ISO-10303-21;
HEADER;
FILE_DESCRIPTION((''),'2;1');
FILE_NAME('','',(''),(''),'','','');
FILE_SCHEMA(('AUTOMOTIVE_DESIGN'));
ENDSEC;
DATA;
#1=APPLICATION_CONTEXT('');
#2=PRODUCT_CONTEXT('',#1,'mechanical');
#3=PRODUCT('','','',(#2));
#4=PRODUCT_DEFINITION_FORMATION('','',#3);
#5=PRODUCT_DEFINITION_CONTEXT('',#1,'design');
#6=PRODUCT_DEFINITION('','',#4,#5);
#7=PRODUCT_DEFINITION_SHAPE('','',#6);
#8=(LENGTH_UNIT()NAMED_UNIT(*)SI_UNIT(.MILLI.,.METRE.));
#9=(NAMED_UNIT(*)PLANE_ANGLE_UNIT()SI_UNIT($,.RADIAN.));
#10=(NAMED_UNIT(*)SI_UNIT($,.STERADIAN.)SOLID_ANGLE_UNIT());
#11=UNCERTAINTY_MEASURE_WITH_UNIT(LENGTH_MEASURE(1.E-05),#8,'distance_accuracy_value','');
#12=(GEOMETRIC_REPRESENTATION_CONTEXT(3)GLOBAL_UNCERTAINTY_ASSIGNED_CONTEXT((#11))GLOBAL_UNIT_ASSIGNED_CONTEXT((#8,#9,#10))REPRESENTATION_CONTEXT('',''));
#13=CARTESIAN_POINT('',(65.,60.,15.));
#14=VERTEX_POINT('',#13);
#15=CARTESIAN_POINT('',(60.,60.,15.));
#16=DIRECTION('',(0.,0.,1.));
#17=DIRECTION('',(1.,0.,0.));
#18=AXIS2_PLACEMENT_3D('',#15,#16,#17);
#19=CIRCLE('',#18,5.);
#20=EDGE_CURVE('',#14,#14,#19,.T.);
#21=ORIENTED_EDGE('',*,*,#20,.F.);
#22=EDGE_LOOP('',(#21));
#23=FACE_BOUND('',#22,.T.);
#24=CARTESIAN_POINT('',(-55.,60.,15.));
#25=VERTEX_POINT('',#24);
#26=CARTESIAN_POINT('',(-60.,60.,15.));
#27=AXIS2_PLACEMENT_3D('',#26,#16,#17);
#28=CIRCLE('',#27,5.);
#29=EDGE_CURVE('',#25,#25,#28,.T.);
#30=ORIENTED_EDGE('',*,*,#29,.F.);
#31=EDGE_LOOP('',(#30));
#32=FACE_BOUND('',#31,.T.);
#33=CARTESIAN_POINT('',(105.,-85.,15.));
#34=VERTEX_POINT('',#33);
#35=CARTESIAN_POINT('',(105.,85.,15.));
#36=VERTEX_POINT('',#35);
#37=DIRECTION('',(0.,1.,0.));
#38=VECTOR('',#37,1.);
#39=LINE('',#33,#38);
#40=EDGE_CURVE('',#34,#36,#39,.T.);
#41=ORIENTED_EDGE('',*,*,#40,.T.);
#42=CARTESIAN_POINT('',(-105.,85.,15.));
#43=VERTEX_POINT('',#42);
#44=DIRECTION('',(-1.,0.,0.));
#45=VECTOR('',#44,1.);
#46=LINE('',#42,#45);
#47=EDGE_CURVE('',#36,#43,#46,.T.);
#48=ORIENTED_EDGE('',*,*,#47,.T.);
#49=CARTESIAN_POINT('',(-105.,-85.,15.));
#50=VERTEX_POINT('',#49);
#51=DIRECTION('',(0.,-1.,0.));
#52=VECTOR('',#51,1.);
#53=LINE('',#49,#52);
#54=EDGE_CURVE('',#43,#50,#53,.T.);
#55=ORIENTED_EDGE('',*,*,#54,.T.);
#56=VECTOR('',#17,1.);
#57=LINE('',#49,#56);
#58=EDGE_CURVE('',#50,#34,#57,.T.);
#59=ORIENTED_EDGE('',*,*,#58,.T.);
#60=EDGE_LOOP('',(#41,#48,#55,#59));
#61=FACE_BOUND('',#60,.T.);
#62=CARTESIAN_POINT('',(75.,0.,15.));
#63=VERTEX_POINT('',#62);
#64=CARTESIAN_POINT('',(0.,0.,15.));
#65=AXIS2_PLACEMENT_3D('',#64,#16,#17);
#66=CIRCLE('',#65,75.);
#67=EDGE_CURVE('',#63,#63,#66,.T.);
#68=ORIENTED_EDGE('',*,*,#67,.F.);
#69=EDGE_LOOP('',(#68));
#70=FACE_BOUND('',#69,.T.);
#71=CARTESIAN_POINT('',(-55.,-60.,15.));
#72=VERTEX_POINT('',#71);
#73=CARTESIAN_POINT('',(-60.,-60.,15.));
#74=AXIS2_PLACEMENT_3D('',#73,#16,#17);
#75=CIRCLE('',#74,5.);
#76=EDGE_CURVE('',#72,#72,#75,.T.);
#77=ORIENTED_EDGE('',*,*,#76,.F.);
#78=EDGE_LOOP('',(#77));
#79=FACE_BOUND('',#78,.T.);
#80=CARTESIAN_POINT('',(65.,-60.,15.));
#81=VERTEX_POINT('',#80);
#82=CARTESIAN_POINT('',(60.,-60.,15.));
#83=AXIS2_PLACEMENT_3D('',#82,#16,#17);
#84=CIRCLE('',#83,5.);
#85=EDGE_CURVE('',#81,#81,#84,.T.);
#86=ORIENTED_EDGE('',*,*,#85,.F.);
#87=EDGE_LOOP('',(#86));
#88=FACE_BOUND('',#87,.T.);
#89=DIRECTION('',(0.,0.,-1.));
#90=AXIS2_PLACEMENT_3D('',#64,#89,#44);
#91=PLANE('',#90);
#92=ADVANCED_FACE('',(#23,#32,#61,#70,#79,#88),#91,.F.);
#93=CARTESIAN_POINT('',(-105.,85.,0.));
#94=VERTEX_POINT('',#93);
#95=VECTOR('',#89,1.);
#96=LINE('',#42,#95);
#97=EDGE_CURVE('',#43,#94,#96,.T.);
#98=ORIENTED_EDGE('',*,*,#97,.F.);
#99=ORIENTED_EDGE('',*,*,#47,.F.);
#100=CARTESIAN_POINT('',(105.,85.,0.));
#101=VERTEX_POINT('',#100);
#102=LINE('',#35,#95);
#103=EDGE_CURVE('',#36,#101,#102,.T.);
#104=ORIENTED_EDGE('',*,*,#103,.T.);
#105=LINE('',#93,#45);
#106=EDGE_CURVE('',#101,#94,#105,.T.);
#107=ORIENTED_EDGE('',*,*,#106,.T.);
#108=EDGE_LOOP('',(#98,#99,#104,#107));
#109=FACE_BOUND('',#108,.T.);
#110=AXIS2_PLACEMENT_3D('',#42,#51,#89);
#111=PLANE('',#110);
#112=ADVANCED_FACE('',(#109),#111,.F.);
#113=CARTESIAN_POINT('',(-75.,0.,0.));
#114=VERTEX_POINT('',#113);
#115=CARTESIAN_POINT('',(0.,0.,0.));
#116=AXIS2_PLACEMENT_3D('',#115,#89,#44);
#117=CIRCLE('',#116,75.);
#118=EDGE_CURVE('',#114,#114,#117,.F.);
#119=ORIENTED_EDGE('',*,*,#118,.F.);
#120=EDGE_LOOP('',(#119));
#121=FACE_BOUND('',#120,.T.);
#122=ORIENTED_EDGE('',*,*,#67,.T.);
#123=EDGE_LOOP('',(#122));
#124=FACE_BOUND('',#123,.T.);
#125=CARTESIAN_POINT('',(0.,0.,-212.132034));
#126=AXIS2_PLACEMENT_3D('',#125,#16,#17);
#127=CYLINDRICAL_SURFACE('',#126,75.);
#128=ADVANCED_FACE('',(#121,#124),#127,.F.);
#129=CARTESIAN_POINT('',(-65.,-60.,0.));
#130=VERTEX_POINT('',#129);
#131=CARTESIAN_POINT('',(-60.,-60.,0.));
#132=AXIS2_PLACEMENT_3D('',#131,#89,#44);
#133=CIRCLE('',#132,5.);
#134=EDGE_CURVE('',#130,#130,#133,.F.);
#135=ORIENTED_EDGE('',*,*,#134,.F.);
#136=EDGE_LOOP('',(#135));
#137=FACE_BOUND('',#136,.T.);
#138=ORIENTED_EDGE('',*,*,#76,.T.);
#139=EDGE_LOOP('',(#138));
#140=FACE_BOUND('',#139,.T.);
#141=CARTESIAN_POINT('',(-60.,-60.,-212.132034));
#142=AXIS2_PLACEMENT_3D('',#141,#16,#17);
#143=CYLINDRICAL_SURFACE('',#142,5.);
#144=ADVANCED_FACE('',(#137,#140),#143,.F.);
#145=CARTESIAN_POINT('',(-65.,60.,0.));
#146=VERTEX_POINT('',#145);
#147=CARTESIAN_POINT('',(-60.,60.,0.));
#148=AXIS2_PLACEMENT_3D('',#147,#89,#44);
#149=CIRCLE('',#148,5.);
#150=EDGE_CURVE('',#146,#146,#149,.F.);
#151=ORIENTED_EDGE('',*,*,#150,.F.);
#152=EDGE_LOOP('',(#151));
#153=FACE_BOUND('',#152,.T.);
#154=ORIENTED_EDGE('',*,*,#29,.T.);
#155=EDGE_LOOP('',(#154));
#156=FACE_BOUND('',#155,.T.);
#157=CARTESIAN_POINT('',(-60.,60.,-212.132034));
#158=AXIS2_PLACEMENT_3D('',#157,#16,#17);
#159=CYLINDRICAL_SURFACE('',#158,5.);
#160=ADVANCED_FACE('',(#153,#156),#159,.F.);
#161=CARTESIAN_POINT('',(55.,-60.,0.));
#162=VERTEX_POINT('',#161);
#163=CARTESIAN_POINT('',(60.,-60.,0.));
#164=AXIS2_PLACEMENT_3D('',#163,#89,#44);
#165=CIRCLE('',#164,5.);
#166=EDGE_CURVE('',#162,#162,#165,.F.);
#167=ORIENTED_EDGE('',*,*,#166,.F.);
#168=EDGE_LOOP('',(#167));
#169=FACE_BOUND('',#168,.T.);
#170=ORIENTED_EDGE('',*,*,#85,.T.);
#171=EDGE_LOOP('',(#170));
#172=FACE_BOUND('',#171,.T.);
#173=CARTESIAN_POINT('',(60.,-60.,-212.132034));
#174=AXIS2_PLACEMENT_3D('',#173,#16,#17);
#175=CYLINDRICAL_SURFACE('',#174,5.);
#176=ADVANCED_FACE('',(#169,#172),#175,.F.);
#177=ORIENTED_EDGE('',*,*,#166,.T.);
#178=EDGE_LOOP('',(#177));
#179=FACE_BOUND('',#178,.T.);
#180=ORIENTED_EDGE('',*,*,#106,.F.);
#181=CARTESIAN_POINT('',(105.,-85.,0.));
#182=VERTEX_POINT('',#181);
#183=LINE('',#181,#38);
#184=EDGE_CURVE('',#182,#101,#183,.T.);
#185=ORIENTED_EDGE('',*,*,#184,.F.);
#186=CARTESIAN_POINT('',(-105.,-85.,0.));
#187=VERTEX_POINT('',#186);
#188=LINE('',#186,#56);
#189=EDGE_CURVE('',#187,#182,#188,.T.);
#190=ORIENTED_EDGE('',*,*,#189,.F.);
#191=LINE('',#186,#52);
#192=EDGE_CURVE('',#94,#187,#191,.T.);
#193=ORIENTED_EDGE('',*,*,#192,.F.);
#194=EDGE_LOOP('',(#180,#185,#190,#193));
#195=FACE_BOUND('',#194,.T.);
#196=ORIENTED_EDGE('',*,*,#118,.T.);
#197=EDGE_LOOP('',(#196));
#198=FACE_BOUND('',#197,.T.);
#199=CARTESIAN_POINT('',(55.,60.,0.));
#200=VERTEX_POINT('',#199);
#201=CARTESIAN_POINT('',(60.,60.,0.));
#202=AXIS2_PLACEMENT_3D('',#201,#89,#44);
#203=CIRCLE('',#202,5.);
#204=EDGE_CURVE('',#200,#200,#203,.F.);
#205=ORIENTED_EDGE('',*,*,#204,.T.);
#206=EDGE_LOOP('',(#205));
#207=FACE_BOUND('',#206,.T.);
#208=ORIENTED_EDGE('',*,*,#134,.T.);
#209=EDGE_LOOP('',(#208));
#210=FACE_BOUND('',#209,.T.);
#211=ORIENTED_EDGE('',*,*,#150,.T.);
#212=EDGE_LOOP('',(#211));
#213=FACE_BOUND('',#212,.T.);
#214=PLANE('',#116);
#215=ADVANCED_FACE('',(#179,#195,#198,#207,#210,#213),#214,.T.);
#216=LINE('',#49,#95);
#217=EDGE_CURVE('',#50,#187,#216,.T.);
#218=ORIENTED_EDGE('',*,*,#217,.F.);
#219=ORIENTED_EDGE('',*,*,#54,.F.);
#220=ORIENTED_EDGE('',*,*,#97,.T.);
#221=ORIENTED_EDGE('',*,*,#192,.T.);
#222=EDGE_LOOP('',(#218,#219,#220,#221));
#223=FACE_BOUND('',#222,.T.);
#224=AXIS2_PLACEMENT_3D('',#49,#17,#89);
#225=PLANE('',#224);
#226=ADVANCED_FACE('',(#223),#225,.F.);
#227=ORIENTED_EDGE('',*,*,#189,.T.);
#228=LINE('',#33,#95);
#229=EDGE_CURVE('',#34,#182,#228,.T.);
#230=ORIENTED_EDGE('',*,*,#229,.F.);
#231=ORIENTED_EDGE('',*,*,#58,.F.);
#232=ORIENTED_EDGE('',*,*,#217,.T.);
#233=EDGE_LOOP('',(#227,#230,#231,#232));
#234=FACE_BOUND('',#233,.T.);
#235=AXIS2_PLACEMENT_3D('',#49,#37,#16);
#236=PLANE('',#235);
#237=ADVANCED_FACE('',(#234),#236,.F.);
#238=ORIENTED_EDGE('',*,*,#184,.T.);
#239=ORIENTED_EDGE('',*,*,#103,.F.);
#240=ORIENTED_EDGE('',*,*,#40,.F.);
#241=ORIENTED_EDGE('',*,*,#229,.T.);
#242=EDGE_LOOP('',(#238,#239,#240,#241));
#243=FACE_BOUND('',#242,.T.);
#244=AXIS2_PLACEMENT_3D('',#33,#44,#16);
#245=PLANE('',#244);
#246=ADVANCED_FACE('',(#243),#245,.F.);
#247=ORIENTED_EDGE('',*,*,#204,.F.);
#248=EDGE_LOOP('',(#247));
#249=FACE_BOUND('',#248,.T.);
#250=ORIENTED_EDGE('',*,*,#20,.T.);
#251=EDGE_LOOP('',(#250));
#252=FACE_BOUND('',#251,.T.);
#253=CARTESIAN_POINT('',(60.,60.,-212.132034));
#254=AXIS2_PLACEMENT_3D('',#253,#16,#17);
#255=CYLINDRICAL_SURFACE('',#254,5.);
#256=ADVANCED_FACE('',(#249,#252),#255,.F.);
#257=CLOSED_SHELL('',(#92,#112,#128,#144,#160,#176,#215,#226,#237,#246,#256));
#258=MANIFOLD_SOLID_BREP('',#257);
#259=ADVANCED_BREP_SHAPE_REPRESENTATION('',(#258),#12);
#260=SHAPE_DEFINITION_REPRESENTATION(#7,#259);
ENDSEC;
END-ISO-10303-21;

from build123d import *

# Parameters (mm, degrees)
SKETCH1_W           = 210
SKETCH1_H           = 170
BOSS_EXTRUDE1_DEPTH = 15
SKETCH2_R           = 75
SKETCH2_R_2         = 5
CUT_EXTRUDE1_DEPTH  = 15


with BuildPart() as part:
    # Sketch1 → Boss-Extrude1 (new body)
    with BuildSketch(Plane.XY):
        Rectangle(SKETCH1_W, SKETCH1_H)
    extrude(amount=BOSS_EXTRUDE1_DEPTH)

    # Sketch2 → Cut-Extrude1 (cut)
    with BuildSketch(Plane.XY.offset(15)):
        Circle(SKETCH2_R)
        with Locations((-60, 60)):
            Circle(SKETCH2_R_2)
        with Locations((60, 60)):
            Circle(SKETCH2_R_2)
        with Locations((60, -60)):
            Circle(SKETCH2_R_2)
        with Locations((-60, -60)):
            Circle(SKETCH2_R_2)
    extrude(amount=-CUT_EXTRUDE1_DEPTH, mode=Mode.SUBTRACT)


solid = part.part
